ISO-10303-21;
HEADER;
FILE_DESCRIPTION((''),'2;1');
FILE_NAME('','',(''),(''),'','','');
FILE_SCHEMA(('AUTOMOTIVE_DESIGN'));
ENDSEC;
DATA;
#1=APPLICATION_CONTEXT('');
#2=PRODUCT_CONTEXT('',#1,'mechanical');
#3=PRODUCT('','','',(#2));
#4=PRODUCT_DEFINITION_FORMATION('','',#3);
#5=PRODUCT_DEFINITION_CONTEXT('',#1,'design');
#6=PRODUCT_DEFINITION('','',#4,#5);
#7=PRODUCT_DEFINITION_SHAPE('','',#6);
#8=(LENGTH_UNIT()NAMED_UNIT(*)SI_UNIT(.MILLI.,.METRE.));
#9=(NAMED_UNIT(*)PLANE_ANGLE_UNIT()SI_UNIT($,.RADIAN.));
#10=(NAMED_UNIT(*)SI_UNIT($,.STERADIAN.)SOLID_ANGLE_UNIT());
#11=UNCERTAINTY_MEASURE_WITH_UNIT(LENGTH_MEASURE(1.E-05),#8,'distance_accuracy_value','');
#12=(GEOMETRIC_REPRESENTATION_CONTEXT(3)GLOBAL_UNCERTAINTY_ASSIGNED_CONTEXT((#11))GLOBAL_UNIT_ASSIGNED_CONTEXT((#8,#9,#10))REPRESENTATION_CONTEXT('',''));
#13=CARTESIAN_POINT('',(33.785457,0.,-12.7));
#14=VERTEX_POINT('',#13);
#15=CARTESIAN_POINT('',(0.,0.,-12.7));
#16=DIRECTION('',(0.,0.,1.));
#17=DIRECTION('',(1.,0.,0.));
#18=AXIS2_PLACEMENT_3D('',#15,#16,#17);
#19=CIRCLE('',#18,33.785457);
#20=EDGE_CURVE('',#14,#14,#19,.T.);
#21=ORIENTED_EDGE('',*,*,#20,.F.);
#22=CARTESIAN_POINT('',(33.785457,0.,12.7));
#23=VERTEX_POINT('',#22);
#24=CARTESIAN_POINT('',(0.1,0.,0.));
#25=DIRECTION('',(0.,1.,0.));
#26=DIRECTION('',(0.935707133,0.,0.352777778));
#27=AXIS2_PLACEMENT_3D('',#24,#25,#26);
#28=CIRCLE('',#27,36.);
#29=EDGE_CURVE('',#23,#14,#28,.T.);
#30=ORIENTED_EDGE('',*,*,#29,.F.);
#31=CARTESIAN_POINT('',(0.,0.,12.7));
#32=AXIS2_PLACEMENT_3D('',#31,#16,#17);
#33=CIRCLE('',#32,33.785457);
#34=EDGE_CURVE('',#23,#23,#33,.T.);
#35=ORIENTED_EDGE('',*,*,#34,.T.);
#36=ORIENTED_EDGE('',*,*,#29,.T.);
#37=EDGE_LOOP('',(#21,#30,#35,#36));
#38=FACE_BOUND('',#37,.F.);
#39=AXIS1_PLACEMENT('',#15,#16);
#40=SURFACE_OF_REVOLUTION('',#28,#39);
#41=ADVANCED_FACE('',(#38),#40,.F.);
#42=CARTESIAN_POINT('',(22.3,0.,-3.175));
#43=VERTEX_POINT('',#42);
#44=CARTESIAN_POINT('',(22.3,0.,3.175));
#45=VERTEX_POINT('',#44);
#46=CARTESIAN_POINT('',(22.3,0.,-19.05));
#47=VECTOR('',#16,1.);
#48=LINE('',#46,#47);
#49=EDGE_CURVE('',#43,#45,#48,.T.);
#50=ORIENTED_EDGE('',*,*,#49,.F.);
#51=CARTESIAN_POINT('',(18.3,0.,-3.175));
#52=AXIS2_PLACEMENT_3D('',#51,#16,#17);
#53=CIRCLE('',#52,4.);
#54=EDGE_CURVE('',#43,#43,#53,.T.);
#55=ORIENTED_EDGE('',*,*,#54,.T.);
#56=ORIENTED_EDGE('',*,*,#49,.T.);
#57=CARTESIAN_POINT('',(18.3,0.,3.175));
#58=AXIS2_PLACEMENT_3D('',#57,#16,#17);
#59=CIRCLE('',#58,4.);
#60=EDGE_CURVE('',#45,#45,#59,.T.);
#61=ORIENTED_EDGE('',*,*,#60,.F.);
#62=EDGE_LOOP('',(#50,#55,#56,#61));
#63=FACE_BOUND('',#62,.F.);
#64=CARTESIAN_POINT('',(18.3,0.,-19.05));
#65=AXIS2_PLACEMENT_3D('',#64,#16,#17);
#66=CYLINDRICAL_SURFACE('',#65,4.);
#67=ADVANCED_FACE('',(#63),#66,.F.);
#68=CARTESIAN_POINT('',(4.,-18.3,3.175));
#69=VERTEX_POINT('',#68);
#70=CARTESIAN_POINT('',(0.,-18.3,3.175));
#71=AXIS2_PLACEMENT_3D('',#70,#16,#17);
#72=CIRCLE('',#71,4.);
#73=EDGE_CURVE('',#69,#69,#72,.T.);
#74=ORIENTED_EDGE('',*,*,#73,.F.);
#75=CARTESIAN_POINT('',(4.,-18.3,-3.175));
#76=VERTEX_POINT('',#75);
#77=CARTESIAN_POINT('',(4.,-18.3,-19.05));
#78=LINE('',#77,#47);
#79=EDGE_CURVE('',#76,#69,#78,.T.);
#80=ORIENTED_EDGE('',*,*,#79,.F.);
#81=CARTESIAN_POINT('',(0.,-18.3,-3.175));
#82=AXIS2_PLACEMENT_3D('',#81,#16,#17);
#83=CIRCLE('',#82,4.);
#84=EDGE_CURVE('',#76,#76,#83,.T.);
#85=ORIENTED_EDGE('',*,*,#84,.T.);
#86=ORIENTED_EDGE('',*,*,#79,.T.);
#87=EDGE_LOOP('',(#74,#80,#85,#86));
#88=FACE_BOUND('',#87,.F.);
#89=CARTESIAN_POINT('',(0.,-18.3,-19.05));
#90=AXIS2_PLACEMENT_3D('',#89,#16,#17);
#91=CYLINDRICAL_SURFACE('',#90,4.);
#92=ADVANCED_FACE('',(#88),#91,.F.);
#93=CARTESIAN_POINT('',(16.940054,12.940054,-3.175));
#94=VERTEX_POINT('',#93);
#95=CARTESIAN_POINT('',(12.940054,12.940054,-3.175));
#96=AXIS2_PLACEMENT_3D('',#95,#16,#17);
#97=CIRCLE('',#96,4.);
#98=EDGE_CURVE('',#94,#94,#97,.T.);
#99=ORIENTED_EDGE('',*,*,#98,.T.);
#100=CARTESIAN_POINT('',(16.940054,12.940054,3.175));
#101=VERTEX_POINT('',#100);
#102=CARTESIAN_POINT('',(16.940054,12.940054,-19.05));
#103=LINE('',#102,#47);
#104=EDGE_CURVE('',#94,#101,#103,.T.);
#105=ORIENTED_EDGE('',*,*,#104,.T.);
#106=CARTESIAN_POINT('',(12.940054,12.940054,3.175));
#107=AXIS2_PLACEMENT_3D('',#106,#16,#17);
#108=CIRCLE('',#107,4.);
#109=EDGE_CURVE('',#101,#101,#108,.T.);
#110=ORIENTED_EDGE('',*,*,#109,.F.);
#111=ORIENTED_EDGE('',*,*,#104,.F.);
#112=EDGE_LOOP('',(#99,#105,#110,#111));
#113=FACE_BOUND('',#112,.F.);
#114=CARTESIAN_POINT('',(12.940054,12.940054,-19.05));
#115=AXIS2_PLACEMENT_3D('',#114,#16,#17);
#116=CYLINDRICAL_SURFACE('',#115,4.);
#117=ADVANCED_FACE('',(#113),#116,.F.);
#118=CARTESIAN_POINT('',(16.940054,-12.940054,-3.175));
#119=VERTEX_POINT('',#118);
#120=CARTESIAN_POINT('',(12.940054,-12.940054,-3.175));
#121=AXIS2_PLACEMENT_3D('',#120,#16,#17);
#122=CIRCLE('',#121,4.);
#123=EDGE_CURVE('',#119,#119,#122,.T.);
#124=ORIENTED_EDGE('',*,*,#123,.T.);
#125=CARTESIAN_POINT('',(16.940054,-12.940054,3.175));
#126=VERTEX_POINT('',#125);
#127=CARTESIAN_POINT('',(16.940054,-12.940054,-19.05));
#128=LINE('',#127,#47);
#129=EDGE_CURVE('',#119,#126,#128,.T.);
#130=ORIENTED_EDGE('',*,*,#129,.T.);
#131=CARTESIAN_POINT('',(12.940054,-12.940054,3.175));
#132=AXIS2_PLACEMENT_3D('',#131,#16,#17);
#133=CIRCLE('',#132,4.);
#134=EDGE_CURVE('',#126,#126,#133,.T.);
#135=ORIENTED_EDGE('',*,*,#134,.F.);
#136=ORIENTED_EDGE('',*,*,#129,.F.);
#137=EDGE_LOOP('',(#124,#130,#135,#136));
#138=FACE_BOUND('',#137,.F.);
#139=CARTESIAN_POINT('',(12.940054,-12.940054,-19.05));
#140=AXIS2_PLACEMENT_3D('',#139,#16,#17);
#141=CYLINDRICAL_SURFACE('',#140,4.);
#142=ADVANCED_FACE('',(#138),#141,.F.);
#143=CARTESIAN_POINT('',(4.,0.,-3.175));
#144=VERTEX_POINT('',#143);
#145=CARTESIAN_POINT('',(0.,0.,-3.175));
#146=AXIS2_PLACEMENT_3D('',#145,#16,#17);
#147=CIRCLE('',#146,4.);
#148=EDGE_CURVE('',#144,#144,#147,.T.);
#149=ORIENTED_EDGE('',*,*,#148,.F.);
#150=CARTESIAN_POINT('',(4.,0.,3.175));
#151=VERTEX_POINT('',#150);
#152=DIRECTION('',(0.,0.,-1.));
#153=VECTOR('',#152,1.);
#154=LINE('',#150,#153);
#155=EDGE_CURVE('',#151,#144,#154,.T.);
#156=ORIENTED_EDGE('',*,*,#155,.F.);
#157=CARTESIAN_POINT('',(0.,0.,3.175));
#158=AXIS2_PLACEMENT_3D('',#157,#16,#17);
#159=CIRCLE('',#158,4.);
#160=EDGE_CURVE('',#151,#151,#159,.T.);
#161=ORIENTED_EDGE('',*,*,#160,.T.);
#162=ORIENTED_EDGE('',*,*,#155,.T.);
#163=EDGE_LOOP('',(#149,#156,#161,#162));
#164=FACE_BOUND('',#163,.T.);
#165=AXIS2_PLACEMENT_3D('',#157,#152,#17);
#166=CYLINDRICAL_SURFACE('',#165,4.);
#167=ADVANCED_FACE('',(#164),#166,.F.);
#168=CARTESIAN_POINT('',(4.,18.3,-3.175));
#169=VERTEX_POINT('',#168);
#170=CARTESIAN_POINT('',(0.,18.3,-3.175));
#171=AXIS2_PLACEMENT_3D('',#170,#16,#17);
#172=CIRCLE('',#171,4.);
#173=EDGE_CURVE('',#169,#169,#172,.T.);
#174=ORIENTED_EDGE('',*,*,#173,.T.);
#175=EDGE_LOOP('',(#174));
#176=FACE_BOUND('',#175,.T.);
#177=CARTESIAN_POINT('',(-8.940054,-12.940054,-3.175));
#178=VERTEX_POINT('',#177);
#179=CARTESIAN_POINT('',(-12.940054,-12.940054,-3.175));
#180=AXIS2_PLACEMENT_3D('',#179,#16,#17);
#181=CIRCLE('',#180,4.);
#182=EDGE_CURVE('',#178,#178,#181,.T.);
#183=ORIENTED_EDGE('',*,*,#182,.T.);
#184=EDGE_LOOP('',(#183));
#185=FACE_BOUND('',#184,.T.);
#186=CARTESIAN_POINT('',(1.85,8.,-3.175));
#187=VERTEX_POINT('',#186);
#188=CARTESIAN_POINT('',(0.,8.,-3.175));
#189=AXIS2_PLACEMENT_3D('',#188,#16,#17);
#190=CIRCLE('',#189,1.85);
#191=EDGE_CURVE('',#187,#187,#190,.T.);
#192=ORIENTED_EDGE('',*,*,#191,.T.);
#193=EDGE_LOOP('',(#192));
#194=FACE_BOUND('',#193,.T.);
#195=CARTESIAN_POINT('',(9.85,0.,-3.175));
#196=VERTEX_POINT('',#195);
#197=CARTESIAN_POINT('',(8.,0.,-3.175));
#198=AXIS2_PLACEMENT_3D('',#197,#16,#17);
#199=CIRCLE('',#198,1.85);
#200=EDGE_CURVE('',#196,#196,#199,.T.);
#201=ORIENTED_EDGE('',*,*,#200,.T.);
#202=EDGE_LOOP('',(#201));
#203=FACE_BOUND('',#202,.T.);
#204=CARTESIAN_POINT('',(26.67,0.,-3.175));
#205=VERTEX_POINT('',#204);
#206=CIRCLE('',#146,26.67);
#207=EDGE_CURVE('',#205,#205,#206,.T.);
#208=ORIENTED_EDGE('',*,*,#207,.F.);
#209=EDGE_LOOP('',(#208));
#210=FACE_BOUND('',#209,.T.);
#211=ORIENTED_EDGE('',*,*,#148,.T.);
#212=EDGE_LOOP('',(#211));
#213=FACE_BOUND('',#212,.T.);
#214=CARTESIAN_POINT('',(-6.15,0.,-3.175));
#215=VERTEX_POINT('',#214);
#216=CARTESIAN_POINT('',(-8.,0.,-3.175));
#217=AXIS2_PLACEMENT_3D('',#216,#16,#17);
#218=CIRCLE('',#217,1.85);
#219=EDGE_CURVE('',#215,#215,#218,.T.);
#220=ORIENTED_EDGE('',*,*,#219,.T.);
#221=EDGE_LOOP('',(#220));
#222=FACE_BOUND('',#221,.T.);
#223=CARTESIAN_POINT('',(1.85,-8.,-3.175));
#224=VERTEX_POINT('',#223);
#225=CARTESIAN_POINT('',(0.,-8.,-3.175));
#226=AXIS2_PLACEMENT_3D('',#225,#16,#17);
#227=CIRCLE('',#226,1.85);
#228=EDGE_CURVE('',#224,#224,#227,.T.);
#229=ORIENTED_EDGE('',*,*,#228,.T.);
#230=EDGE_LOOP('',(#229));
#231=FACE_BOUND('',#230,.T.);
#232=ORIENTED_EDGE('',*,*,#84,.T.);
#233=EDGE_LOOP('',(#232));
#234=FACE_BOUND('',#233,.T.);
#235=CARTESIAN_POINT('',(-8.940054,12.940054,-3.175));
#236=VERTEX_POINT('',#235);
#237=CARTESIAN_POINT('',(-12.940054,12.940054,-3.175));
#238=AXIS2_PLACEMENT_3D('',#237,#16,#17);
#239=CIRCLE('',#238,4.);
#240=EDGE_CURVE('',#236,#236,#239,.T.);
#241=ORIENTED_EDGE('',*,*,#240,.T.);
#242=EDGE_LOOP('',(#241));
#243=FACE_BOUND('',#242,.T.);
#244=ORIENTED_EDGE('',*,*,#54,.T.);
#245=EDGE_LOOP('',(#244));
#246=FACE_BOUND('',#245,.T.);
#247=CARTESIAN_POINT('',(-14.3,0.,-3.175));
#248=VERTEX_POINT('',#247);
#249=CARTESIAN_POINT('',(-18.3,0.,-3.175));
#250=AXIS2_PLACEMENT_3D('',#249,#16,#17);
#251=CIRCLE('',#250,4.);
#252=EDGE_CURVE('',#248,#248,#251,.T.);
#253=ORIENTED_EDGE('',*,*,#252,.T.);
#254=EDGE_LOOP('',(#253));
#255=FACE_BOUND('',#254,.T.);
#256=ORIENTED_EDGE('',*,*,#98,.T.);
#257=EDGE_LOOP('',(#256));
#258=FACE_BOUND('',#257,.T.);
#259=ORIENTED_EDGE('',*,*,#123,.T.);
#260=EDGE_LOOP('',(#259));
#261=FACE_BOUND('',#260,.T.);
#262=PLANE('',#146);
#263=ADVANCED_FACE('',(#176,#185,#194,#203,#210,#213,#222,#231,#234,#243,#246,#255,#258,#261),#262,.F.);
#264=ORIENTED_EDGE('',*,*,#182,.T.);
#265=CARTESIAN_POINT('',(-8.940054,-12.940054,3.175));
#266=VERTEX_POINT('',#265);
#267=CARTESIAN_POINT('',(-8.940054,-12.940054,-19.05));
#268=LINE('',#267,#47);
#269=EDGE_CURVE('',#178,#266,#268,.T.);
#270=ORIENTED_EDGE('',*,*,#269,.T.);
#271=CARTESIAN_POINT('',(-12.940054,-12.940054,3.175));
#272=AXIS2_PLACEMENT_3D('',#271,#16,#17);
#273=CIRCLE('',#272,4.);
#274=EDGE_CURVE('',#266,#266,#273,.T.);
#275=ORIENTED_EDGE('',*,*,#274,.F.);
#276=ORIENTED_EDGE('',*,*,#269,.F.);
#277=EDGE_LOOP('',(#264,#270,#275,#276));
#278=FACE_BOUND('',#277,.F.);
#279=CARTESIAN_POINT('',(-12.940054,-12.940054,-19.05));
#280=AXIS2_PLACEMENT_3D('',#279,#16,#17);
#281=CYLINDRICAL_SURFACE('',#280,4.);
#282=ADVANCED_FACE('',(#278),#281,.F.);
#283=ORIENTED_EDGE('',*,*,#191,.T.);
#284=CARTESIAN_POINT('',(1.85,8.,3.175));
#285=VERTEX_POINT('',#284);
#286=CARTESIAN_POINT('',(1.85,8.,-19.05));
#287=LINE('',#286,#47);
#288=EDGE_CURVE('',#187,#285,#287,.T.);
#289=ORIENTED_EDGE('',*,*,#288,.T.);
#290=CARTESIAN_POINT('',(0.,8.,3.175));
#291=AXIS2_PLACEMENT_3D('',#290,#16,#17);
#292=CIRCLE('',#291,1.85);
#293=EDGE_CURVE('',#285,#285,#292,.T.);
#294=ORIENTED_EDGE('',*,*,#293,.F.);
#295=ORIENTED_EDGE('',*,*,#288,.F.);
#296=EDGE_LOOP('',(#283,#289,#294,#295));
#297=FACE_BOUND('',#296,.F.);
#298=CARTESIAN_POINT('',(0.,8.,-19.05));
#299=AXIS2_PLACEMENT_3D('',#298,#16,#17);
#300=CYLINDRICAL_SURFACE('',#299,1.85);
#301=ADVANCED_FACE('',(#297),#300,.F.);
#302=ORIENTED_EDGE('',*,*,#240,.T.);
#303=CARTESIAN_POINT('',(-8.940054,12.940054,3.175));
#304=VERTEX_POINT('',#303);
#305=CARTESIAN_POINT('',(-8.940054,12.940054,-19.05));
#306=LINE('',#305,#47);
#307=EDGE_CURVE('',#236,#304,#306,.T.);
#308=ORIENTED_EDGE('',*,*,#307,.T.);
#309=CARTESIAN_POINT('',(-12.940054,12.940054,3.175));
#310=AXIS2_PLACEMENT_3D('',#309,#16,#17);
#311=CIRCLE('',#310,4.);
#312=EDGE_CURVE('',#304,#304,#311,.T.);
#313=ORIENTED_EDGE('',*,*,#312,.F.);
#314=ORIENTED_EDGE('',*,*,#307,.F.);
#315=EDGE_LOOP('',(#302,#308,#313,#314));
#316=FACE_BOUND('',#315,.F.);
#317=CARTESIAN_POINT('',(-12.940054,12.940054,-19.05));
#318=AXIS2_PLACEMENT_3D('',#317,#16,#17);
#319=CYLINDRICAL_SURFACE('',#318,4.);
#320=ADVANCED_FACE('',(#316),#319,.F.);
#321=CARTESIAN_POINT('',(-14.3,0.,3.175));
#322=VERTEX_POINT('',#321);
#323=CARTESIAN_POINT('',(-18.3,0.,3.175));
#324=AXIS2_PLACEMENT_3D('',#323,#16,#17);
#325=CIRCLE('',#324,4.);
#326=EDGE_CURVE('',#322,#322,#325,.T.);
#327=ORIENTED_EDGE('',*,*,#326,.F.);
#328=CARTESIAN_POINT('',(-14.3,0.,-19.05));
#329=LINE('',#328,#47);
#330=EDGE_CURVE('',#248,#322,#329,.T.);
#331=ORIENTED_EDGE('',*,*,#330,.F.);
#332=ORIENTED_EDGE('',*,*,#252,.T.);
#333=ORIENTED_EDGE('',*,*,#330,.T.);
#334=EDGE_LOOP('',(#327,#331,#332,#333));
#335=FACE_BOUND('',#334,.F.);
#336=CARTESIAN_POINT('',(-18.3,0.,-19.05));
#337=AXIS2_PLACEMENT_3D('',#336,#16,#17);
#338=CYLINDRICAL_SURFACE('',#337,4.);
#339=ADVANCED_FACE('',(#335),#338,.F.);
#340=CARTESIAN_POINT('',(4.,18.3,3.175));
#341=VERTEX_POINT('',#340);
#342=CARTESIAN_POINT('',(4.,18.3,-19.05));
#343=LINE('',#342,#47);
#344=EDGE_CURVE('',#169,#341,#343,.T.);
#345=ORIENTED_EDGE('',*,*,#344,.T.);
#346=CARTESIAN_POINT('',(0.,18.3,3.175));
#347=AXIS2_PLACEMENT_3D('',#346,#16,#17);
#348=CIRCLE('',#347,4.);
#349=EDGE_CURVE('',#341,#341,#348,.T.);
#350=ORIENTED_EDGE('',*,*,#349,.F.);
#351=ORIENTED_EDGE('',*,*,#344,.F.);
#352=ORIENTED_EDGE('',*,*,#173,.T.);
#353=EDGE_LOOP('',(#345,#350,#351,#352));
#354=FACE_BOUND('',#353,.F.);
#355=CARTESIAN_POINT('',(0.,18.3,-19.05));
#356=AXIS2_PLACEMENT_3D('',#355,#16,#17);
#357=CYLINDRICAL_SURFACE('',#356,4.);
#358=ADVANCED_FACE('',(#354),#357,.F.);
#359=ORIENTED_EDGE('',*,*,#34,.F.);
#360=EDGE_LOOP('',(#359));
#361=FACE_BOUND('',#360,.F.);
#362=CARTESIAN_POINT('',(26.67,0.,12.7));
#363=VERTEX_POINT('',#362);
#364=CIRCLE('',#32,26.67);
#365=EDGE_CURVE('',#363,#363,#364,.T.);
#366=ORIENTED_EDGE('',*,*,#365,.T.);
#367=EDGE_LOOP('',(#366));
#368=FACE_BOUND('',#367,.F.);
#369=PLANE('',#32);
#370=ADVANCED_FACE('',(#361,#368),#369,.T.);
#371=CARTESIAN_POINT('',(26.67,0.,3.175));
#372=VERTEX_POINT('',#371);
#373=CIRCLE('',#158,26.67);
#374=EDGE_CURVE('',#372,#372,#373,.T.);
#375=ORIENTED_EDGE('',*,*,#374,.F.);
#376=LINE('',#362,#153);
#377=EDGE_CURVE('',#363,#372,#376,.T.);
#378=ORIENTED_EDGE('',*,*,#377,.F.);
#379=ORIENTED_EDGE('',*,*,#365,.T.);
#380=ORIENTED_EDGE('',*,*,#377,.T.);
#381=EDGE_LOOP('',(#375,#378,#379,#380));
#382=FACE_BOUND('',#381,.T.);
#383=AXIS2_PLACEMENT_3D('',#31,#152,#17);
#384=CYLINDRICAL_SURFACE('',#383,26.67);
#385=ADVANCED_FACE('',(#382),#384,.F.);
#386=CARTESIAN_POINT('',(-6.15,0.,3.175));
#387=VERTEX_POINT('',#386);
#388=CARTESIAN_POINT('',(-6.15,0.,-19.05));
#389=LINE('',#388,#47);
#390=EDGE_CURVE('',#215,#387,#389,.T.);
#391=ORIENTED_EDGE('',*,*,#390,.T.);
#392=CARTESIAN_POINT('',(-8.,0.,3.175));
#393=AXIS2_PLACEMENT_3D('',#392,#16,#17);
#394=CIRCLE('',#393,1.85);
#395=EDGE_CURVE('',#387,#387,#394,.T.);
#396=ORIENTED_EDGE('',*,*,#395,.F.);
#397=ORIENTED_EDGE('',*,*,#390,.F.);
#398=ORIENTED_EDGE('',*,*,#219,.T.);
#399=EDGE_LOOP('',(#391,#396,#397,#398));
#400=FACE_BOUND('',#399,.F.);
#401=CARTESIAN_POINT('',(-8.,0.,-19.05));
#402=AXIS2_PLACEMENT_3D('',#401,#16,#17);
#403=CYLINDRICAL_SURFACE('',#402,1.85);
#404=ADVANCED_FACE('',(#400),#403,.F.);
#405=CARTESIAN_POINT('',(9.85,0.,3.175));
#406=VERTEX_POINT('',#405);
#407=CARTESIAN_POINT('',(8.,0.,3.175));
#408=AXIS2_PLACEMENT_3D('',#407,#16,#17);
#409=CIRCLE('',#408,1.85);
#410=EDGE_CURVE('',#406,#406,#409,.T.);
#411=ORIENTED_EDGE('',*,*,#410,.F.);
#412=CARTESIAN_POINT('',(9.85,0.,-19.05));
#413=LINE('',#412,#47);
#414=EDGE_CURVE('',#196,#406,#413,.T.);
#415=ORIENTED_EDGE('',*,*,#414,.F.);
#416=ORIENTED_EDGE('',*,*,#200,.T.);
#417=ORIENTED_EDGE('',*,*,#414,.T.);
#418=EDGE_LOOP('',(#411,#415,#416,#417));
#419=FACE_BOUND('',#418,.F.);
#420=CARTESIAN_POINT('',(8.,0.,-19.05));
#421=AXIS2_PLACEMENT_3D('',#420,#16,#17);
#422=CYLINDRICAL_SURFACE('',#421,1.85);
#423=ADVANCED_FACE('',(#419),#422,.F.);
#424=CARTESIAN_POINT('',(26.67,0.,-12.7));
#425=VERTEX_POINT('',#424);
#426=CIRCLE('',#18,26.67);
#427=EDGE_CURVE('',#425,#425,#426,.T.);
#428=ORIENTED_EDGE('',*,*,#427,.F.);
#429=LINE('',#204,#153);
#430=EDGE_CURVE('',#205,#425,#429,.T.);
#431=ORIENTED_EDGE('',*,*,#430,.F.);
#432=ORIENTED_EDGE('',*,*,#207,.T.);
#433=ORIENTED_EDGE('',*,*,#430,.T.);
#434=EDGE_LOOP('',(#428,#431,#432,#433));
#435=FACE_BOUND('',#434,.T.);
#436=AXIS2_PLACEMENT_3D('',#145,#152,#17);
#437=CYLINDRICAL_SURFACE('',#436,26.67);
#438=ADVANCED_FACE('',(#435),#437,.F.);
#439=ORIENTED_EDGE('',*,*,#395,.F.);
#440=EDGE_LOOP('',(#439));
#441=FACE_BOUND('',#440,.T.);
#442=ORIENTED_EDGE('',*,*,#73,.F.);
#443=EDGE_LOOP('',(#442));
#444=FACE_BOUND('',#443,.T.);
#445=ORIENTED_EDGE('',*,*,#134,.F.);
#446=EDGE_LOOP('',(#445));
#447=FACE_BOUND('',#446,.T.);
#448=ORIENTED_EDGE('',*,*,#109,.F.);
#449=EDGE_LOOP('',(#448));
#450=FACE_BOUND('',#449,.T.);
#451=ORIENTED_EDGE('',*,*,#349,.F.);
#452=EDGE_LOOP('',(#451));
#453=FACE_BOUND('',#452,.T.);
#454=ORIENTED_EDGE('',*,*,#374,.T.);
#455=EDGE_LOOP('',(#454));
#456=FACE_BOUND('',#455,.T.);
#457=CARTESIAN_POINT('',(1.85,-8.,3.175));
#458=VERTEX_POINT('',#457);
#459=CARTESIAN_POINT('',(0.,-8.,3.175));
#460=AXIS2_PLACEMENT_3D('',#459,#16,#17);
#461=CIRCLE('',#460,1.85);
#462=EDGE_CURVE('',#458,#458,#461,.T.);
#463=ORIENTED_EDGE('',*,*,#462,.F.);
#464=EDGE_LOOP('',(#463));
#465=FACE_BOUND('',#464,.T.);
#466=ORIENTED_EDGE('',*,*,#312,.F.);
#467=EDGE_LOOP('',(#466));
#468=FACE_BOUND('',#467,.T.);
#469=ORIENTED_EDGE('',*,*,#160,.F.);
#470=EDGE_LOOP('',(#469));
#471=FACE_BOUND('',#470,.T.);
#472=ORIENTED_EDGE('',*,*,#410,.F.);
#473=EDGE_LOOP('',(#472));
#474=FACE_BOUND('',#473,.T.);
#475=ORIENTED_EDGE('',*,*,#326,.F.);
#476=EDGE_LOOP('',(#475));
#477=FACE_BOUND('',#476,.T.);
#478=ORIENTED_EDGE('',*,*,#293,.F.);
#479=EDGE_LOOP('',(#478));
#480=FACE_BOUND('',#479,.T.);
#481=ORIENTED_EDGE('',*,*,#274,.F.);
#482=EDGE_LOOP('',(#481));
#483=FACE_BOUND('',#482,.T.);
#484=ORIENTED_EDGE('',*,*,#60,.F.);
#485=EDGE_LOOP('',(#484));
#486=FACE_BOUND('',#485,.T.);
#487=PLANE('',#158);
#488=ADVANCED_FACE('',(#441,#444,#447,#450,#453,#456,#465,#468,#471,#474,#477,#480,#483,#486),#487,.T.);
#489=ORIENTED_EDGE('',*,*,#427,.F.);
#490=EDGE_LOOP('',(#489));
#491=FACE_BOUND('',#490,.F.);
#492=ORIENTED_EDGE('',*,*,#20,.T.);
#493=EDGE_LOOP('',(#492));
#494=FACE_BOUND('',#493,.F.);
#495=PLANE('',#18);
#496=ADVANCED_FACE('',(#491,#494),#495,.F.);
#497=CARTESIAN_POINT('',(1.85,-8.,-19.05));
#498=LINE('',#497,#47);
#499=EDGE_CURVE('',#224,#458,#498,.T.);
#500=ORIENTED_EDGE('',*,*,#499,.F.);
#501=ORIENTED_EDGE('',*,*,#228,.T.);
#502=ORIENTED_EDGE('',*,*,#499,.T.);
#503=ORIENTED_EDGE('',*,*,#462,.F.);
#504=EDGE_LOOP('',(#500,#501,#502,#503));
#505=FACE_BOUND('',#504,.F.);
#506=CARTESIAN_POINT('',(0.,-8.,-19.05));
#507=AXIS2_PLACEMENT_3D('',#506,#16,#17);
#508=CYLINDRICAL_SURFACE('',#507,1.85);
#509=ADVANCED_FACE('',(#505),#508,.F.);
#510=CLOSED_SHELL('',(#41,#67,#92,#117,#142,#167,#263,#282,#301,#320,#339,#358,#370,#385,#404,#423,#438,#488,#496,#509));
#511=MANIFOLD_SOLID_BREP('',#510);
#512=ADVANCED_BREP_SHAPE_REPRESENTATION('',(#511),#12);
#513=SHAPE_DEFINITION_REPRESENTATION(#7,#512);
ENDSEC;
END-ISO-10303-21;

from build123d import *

# Parameters (mm, degrees)
F_8_0_8_DIAMETER_HOLE1_D       = 8
F_8_0_8_DIAMETER_HOLE1_DEPTH   = 15.875
F_3_7_3_7_DIAMETER_HOLE1_D     = 3.7
F_3_7_3_7_DIAMETER_HOLE1_DEPTH = 15.875


with BuildPart() as part:
    # Sketch1 → Revolve1 (revolve)
    with BuildSketch(Plane(origin=(0, 0, 0), x_dir=(1, 0, 0), z_dir=(0, 1, 0))):
        with BuildLine():
            Line((33.785456803, 12.7), (0, 12.7))
            Line((0, 12.7), (0, -12.7))
            Line((0, -12.7), (33.785456803, -12.7))
            ThreePointArc((33.785456803, -12.7), (36.1, 0), (33.785456803, 12.7))
        make_face()
    revolve(axis=Axis((0, 0, -12.7), (0, 0, 1)))

    # Sketch2 → Cut-Revolve1 (revolve, cut)
    with BuildSketch(Plane(origin=(0, 0, 0), x_dir=(1, 0, 0), z_dir=(0, 1, 0))):
        Polygon((26.67, 12.7), (0, 12.7), (0, -12.7), (26.67, -12.7), (26.67, -3.175), (4, -3.175), (4, 3.175), (26.67, 3.175), align=None)
    revolve(axis=Axis((0, 0, -12.7), (0, 0, 1)), mode=Mode.SUBTRACT)

    # Ø8.0 (8) Diameter Hole1
    with Locations(Plane(origin=(0, 0, -3.175), x_dir=(-1, 0, 0), z_dir=(0, 0, -1))):
        with Locations((0, -18.3), (-12.940054096, -12.940054096), (-18.3, 0), (-12.940054096, 12.940054096), (0, 18.3), (12.940054096, 12.940054096), (18.3, 0), (12.940054096, -12.940054096)):
            Hole(F_8_0_8_DIAMETER_HOLE1_D / 2, depth=F_8_0_8_DIAMETER_HOLE1_DEPTH)

    # Ø3.7 (3.7) Diameter Hole1
    with Locations(Plane(origin=(0, 0, -3.175), x_dir=(-1, 0, 0), z_dir=(0, 0, -1))):
        with Locations((-8, 0), (0, -8), (8, 0), (0, 8)):
            Hole(F_3_7_3_7_DIAMETER_HOLE1_D / 2, depth=F_3_7_3_7_DIAMETER_HOLE1_DEPTH)


solid = part.part
